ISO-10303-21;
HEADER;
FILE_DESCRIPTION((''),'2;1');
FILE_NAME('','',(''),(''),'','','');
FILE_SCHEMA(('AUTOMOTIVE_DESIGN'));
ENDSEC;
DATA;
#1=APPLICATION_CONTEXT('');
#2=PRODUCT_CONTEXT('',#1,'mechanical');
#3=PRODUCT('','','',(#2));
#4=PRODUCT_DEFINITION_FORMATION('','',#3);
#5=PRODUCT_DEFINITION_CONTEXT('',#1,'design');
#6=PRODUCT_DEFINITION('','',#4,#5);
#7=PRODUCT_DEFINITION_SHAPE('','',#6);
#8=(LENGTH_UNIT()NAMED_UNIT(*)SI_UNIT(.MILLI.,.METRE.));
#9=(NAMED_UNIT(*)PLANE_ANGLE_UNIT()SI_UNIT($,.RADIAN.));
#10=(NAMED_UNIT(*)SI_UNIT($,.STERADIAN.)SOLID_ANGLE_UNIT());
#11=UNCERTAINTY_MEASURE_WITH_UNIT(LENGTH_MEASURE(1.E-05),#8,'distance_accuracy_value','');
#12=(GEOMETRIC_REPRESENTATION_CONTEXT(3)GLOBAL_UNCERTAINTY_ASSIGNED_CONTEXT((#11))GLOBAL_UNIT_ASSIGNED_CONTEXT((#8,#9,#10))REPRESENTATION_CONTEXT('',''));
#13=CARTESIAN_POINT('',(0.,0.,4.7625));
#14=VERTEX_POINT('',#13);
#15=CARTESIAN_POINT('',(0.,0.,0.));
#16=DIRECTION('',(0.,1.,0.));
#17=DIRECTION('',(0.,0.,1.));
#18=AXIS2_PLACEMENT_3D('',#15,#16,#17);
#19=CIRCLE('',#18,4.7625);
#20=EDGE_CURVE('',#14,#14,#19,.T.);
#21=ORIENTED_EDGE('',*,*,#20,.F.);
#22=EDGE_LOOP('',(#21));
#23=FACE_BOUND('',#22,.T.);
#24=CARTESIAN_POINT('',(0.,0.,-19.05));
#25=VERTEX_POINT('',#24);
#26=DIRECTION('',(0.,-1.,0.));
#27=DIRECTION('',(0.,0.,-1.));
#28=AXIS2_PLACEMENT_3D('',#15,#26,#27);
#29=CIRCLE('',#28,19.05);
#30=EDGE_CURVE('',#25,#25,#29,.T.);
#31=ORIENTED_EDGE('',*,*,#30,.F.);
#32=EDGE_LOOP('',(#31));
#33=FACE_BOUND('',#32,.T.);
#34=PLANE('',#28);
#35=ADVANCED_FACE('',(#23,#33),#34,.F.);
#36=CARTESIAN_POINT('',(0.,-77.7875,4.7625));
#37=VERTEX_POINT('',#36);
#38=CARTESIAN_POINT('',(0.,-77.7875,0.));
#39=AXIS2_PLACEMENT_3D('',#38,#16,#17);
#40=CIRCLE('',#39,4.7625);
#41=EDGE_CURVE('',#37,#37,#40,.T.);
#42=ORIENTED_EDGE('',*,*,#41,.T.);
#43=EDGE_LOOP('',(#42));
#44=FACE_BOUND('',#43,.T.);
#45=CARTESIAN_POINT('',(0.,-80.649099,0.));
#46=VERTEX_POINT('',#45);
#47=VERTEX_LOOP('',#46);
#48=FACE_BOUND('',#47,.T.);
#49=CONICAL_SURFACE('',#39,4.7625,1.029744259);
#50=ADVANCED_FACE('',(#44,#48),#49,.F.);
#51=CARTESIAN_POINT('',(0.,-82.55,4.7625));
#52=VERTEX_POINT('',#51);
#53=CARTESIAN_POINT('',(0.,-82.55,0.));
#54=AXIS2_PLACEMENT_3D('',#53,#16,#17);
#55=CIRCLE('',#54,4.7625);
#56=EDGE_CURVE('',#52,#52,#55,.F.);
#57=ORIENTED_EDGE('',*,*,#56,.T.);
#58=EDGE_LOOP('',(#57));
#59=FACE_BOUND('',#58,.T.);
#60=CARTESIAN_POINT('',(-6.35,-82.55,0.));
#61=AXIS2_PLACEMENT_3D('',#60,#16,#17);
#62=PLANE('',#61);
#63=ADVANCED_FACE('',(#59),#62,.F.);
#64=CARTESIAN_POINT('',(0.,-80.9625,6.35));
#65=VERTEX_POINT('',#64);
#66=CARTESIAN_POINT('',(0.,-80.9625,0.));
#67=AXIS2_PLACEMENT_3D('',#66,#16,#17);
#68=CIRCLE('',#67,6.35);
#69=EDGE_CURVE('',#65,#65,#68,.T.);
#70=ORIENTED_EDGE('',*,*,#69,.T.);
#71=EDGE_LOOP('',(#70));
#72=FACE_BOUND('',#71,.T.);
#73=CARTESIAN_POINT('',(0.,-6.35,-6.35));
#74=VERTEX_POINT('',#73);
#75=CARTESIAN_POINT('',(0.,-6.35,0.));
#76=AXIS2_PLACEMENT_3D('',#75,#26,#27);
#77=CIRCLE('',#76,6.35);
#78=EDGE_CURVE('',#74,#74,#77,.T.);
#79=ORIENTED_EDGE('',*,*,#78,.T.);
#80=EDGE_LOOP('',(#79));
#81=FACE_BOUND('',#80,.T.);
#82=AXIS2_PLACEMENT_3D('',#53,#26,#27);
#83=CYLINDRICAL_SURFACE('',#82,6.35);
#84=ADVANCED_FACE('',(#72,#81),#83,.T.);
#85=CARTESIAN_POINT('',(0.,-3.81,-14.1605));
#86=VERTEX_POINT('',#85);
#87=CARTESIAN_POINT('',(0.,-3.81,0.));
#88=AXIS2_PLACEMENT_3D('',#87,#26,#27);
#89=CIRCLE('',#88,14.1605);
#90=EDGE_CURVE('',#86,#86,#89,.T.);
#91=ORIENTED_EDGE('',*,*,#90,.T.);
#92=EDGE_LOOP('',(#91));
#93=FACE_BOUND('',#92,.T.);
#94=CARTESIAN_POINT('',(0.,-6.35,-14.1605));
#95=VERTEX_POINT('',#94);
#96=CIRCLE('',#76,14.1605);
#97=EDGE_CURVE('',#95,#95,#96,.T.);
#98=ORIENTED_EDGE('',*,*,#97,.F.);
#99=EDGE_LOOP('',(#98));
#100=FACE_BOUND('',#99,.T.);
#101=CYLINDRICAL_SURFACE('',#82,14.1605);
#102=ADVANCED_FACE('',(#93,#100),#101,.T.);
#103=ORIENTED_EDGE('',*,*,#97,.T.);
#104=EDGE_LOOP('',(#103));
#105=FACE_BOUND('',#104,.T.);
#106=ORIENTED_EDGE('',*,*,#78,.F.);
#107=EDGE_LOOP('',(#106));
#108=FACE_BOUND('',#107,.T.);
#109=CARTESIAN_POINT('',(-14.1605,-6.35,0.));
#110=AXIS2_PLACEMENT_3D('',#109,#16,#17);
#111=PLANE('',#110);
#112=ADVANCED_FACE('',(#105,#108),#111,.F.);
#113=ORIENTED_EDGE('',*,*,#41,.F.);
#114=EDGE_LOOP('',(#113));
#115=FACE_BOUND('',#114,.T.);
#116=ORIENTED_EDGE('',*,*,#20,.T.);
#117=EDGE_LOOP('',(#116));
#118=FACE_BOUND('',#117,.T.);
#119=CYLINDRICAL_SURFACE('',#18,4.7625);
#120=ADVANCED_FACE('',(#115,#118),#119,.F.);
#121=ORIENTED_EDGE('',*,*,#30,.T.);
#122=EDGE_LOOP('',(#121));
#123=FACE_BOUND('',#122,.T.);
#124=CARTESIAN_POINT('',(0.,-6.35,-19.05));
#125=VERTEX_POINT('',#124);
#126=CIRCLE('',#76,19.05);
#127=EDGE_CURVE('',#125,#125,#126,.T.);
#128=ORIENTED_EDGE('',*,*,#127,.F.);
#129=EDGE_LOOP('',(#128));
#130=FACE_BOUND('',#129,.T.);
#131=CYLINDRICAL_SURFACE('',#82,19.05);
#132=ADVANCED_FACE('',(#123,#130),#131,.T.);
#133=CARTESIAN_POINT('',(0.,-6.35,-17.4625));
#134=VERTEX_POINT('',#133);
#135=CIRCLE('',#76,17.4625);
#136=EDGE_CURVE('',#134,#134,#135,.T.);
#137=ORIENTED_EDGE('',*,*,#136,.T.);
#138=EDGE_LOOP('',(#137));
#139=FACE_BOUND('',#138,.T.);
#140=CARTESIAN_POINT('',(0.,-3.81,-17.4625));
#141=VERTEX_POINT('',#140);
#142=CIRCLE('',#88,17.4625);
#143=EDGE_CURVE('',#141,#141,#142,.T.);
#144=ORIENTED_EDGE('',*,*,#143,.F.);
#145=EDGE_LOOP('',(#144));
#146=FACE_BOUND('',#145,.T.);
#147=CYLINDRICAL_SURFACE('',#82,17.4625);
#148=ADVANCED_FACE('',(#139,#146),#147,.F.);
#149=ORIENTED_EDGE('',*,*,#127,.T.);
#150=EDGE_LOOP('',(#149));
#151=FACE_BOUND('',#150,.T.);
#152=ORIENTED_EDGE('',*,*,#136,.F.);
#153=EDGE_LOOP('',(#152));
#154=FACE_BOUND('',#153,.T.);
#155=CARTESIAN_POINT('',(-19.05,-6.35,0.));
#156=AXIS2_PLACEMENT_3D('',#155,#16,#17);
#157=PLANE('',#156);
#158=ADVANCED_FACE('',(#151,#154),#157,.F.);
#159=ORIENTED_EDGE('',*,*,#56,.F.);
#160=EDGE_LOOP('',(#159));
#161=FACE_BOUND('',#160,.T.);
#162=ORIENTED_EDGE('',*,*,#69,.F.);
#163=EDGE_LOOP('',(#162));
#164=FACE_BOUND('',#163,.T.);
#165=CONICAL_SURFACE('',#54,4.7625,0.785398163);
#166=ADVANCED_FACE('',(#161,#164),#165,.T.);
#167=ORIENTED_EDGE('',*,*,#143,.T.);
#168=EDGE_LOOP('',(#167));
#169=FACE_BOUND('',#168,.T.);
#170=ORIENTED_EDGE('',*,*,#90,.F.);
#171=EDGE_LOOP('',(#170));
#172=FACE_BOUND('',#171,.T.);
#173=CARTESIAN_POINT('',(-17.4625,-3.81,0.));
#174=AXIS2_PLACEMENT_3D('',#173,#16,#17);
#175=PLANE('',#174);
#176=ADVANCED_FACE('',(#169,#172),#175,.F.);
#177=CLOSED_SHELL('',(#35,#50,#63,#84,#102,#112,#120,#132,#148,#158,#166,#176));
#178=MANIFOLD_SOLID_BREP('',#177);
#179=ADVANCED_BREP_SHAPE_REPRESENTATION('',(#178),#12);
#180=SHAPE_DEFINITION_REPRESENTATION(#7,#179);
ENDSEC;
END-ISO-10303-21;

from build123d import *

# Parameters (mm, degrees)
F_3_8_0_375_DIAMETER_HOLE1_D     = 9.525
F_3_8_0_375_DIAMETER_HOLE1_DEPTH = 77.7875
F_3_8_0_375_DIAMETER_HOLE1_TIP   = 2.861598698
CHAMFER1_SIZE                    = 1.5875


with BuildPart() as part:
    # Sketch1 → Revolve1 (revolve)
    with BuildSketch(Plane.XY):
        Polygon((0, 0), (-19.05, 0), (-19.05, -6.35), (-17.4625, -6.35), (-17.4625, -3.81), (-14.1605, -3.81), (-14.1605, -6.35), (-6.35, -6.35), (-6.35, -82.55), (0, -82.55), align=None)
    revolve(axis=Axis((0, -82.55, 0), (0, 1, 0)))

    # 3/8 (0.375) Diameter Hole1
    with Locations(Plane(origin=(0, 0, 0), x_dir=(1, 0, 0), z_dir=(0, 1, 0))):
        with Locations((0, 0)):
            Hole(F_3_8_0_375_DIAMETER_HOLE1_D / 2, depth=F_3_8_0_375_DIAMETER_HOLE1_DEPTH)
            with Locations((0, 0, -(F_3_8_0_375_DIAMETER_HOLE1_DEPTH + F_3_8_0_375_DIAMETER_HOLE1_TIP / 2))):  # 118° drill point
                Cone(0, F_3_8_0_375_DIAMETER_HOLE1_D / 2, F_3_8_0_375_DIAMETER_HOLE1_TIP, mode=Mode.SUBTRACT)

    # Chamfer1
    chamfer1_edges = [part.edges().sort_by_distance(p)[0] for p in [
        (6.35, -82.55, 0),
    ]]
    chamfer(chamfer1_edges, length=CHAMFER1_SIZE)


solid = part.part
